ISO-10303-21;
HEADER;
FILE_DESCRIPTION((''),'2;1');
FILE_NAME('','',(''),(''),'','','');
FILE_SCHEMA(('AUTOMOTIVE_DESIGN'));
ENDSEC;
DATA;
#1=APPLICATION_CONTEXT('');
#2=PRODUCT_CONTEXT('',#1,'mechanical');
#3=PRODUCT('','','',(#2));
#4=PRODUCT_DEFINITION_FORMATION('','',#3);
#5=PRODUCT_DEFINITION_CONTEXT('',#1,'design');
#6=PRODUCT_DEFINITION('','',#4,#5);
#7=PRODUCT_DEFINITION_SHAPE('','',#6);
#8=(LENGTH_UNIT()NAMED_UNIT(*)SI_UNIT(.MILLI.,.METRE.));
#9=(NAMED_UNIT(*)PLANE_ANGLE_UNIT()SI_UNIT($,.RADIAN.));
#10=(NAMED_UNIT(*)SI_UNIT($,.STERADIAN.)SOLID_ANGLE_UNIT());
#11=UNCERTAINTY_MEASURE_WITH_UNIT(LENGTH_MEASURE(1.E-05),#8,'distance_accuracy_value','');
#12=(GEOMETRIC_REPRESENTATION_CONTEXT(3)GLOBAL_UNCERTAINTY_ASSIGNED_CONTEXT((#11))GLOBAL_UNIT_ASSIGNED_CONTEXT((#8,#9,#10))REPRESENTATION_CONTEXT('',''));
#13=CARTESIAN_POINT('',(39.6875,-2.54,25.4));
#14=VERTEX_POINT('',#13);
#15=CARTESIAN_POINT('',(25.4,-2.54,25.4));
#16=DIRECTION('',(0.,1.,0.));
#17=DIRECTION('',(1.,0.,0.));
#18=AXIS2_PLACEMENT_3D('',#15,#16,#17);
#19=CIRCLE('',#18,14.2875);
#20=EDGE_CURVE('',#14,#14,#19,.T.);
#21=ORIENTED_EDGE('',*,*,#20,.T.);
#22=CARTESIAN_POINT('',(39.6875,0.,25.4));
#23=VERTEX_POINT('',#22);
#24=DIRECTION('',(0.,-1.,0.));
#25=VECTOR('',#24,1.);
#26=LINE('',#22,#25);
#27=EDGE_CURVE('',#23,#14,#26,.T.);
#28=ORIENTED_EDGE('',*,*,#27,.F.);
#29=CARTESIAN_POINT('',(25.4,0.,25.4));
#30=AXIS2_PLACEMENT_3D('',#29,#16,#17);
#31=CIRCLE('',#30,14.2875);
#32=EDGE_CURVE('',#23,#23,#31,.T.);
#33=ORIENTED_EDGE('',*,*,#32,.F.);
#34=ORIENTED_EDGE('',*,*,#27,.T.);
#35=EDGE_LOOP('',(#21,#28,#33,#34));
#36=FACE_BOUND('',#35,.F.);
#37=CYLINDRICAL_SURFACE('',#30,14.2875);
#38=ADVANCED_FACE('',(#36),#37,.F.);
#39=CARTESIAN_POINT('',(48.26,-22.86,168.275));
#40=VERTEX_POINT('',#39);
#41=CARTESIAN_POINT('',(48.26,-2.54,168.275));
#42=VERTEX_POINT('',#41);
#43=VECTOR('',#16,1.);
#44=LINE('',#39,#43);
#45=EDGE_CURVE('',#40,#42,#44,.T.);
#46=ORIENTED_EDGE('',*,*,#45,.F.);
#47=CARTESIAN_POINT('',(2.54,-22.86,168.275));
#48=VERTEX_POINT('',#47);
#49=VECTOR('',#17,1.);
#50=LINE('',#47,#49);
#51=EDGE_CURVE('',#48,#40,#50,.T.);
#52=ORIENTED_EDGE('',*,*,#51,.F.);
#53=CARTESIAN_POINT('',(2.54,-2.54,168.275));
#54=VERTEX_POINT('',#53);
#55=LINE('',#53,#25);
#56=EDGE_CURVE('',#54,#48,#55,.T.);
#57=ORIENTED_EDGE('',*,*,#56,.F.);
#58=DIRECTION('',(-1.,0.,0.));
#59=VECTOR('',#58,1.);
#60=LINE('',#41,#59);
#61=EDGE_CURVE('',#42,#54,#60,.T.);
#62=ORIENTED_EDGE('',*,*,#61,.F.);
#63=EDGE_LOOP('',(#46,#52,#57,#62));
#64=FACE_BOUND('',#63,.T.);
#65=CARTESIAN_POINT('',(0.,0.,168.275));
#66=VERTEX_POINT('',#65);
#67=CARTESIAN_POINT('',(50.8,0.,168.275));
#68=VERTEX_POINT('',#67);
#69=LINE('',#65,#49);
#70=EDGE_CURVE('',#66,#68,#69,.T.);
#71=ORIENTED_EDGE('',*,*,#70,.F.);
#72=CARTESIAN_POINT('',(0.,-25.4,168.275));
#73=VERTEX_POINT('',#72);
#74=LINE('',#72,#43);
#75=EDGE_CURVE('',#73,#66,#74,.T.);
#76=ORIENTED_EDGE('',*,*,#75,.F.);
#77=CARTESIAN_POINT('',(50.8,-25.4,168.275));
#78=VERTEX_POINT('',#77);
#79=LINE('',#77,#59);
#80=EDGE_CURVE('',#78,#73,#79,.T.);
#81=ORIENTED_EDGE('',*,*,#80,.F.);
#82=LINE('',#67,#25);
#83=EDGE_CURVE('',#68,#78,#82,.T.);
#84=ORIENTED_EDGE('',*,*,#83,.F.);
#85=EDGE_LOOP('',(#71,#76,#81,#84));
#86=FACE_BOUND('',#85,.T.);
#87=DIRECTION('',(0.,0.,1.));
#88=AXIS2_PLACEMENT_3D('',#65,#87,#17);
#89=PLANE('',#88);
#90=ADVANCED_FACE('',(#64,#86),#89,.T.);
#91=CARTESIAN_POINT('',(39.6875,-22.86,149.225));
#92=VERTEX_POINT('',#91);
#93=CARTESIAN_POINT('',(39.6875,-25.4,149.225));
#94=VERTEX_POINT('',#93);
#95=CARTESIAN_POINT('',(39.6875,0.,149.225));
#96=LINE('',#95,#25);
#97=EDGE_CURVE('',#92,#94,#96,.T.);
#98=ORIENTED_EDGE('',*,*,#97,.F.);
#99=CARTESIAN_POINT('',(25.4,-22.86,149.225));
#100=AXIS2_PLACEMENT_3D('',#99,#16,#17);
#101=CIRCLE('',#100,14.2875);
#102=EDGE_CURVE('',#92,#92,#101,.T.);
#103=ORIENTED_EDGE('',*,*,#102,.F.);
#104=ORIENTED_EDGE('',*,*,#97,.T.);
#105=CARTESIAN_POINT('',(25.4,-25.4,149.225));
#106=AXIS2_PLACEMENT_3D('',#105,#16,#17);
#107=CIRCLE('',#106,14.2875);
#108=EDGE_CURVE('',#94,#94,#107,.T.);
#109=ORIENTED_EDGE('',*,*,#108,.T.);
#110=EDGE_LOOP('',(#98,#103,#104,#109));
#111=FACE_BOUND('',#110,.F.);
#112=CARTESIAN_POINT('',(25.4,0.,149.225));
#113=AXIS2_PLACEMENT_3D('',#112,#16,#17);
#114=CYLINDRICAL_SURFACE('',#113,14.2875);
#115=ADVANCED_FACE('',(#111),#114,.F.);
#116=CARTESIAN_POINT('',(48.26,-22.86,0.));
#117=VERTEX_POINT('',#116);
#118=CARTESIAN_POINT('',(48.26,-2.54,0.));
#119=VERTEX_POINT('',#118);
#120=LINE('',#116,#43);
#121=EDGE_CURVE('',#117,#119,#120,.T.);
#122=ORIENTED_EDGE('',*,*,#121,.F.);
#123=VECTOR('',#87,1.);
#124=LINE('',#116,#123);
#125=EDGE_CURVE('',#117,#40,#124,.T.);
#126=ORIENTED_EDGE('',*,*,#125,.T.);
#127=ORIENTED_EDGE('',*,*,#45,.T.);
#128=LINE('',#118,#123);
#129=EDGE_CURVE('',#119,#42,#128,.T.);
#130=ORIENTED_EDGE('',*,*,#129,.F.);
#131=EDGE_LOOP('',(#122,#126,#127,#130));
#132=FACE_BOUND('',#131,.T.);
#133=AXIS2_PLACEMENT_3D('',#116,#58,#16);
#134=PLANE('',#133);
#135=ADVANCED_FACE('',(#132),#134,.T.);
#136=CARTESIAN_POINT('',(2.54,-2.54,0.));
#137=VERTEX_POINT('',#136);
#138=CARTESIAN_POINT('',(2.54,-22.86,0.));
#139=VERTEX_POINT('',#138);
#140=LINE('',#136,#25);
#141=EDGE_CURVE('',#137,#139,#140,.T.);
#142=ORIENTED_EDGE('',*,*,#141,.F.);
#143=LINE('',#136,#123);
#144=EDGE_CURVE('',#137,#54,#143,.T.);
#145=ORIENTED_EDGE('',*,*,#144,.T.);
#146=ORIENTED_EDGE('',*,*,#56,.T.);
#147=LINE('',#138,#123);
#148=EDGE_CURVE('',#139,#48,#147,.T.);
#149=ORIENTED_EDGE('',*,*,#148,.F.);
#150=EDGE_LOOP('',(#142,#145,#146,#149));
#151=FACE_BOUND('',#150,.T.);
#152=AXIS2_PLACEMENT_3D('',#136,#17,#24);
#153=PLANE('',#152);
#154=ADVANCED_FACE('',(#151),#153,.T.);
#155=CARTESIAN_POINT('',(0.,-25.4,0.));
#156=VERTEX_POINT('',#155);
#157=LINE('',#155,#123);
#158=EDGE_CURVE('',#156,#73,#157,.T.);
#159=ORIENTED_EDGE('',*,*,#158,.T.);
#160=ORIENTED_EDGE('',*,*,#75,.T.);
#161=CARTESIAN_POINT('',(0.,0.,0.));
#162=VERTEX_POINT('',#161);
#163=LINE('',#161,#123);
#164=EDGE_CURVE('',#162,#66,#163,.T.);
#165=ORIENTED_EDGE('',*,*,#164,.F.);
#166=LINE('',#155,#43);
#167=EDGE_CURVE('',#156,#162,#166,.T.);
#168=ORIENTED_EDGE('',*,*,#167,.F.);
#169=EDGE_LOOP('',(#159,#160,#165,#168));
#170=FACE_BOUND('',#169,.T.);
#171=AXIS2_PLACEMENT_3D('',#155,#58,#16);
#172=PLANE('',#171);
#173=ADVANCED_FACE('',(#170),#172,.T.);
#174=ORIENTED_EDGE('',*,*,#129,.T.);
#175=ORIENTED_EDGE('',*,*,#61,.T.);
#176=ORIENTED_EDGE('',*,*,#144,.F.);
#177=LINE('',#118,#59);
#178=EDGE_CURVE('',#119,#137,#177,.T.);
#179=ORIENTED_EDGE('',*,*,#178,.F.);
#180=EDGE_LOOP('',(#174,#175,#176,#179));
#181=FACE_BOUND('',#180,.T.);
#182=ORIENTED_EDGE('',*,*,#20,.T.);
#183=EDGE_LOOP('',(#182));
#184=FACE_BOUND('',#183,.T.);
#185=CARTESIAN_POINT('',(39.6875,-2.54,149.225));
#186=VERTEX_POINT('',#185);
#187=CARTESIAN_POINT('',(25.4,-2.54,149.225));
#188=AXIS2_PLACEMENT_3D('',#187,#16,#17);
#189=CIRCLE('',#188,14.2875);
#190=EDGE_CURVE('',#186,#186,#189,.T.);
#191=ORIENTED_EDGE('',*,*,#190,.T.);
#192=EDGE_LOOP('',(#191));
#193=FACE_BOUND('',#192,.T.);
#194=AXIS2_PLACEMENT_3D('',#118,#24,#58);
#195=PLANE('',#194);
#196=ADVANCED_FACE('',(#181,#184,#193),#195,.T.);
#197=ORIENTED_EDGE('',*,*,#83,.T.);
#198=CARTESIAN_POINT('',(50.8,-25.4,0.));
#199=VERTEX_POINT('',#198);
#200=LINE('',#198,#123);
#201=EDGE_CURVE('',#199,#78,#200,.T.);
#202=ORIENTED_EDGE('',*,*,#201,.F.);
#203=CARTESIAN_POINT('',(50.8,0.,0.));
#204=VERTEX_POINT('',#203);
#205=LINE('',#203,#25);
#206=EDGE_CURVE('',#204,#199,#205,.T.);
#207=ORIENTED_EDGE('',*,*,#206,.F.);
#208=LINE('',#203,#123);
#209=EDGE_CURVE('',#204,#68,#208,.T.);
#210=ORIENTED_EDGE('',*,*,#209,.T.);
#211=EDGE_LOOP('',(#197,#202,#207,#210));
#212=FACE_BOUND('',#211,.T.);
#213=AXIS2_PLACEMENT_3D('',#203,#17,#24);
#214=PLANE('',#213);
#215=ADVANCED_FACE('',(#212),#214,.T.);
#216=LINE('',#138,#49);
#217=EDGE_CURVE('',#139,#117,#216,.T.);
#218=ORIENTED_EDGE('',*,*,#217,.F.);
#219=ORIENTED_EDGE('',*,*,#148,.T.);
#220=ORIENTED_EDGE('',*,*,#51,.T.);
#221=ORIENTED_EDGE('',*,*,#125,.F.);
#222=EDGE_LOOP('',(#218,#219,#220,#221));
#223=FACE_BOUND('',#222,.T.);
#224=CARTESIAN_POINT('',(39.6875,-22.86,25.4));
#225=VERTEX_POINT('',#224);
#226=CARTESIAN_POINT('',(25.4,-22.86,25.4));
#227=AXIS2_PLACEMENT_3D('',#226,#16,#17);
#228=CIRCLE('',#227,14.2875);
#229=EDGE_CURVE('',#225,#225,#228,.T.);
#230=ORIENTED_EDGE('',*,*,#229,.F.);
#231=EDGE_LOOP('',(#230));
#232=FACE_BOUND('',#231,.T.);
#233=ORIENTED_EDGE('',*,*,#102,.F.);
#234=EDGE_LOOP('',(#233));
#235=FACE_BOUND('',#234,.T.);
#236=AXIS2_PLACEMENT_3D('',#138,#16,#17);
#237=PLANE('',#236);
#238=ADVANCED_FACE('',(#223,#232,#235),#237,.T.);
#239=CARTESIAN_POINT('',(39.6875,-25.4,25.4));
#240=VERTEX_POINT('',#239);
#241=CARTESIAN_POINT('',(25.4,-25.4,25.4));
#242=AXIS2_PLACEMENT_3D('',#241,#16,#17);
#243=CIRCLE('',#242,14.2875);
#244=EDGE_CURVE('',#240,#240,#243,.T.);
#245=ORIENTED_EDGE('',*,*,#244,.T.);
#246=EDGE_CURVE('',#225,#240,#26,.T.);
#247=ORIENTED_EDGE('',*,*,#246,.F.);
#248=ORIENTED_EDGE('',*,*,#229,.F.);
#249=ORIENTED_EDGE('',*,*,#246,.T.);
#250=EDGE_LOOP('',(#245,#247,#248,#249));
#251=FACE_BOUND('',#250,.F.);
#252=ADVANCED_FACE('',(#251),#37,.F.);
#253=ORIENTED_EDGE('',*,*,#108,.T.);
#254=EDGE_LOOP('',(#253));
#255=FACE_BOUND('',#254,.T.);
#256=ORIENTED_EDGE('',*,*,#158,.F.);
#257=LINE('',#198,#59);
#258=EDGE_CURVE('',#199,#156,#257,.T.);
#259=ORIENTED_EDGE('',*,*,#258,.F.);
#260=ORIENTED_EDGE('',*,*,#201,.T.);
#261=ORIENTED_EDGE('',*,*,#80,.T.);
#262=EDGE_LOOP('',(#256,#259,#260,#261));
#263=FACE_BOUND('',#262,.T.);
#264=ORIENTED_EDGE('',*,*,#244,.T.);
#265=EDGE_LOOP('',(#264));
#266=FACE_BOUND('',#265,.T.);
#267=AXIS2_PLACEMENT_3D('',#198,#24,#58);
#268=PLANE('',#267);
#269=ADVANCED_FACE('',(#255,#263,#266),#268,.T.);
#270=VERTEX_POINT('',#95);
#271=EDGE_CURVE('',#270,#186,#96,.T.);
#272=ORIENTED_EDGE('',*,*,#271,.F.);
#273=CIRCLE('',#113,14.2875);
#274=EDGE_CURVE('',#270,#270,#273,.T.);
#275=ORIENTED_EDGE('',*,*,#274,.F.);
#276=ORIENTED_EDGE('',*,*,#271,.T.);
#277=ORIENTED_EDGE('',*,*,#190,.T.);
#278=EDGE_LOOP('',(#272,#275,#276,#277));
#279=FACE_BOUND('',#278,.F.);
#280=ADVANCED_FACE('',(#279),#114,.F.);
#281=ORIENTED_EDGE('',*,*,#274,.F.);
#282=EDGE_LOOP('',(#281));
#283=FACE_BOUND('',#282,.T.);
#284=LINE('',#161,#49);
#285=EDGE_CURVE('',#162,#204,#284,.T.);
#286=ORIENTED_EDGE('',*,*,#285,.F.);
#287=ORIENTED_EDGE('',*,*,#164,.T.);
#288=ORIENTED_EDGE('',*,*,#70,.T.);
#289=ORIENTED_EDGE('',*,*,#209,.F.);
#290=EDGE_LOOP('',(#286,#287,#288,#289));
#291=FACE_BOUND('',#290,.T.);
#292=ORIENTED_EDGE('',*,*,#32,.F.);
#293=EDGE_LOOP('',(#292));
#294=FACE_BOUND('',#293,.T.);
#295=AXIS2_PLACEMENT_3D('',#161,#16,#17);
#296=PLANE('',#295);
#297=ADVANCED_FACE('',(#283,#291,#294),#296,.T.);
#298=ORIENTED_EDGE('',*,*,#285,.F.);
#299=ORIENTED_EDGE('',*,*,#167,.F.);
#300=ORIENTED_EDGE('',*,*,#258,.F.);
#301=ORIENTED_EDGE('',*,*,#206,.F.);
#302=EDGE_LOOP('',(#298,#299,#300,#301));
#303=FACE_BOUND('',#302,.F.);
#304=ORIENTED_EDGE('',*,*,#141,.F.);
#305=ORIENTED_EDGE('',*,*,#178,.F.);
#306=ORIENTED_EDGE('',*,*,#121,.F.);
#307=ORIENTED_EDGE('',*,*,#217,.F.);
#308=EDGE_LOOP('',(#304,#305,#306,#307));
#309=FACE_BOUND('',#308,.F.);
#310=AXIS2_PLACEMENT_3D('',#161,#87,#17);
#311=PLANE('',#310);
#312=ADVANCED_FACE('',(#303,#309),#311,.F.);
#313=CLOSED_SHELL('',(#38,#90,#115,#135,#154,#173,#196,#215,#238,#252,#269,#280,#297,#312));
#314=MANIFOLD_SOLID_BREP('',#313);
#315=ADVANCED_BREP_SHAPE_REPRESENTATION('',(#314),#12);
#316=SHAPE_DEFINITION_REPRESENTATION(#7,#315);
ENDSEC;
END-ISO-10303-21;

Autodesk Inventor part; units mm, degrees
ref_plane "YZ Plane" through (0, 0, 0) normal (1, 0, 0) x (0, 1, 0)
ref_plane "XZ Plane" through (0, 0, 0) normal (0, 1, 0) x (-1, 0, 0)
ref_plane "XY Plane" through (0, 0, 0) normal (0, 0, 1) x (1, 0, 0)
sketch "Sketch1" plane through (0, 0, 0) normal (0, 0, 1) x (1, 0, 0)
  line L0 (0, 0) -> (50.8, 0)
  line L1 (50.8, 0) -> (50.8, -25.4)
  line L2 (50.8, -25.4) -> (0, -25.4)
  line L3 (0, -25.4) -> (0, 0)
  line L4 (48.26, -2.54) -> (2.54, -2.54)
  line L5 (2.54, -2.54) -> (2.54, -22.86)
  line L6 (2.54, -22.86) -> (48.26, -22.86)
  line L7 (48.26, -22.86) -> (48.26, -2.54)
  dimension "d0" = 50.8
  dimension "d1" = 25.4
  dimension "d2" = 2.54
extrude "Extrusion1" add sketch "Sketch1" along normal blind 168.275
sketch "Sketch2" plane through (0, 0, 0) normal (0, 1, 0) x (1, 0, 0)
  circle A0 centre (25.4, -25.4) radius 14.2875
  circle A1 centre (25.4, -149.225) radius 14.2875
  line L0 (50.8, 0) -> (50.8, -168.275) projected
  line L1 (50.8, -168.275) -> (0, -168.275) projected
  line L2 (0, 0) -> (50.8, 0) projected
  line L3 (0, 0) -> (0, -168.275) projected
  dimension "d5" = 25.4
  dimension "d6" = 19.05
  dimension "d7" = 25.4
  dimension "d8" = 25.4
  dimension "d9" = 28.575
  dimension "d10" = 28.575
extrude "Extrusion2" cut sketch "Sketch2" against normal blind 168.275 contours A0 | A1
properties part number "New intake"
